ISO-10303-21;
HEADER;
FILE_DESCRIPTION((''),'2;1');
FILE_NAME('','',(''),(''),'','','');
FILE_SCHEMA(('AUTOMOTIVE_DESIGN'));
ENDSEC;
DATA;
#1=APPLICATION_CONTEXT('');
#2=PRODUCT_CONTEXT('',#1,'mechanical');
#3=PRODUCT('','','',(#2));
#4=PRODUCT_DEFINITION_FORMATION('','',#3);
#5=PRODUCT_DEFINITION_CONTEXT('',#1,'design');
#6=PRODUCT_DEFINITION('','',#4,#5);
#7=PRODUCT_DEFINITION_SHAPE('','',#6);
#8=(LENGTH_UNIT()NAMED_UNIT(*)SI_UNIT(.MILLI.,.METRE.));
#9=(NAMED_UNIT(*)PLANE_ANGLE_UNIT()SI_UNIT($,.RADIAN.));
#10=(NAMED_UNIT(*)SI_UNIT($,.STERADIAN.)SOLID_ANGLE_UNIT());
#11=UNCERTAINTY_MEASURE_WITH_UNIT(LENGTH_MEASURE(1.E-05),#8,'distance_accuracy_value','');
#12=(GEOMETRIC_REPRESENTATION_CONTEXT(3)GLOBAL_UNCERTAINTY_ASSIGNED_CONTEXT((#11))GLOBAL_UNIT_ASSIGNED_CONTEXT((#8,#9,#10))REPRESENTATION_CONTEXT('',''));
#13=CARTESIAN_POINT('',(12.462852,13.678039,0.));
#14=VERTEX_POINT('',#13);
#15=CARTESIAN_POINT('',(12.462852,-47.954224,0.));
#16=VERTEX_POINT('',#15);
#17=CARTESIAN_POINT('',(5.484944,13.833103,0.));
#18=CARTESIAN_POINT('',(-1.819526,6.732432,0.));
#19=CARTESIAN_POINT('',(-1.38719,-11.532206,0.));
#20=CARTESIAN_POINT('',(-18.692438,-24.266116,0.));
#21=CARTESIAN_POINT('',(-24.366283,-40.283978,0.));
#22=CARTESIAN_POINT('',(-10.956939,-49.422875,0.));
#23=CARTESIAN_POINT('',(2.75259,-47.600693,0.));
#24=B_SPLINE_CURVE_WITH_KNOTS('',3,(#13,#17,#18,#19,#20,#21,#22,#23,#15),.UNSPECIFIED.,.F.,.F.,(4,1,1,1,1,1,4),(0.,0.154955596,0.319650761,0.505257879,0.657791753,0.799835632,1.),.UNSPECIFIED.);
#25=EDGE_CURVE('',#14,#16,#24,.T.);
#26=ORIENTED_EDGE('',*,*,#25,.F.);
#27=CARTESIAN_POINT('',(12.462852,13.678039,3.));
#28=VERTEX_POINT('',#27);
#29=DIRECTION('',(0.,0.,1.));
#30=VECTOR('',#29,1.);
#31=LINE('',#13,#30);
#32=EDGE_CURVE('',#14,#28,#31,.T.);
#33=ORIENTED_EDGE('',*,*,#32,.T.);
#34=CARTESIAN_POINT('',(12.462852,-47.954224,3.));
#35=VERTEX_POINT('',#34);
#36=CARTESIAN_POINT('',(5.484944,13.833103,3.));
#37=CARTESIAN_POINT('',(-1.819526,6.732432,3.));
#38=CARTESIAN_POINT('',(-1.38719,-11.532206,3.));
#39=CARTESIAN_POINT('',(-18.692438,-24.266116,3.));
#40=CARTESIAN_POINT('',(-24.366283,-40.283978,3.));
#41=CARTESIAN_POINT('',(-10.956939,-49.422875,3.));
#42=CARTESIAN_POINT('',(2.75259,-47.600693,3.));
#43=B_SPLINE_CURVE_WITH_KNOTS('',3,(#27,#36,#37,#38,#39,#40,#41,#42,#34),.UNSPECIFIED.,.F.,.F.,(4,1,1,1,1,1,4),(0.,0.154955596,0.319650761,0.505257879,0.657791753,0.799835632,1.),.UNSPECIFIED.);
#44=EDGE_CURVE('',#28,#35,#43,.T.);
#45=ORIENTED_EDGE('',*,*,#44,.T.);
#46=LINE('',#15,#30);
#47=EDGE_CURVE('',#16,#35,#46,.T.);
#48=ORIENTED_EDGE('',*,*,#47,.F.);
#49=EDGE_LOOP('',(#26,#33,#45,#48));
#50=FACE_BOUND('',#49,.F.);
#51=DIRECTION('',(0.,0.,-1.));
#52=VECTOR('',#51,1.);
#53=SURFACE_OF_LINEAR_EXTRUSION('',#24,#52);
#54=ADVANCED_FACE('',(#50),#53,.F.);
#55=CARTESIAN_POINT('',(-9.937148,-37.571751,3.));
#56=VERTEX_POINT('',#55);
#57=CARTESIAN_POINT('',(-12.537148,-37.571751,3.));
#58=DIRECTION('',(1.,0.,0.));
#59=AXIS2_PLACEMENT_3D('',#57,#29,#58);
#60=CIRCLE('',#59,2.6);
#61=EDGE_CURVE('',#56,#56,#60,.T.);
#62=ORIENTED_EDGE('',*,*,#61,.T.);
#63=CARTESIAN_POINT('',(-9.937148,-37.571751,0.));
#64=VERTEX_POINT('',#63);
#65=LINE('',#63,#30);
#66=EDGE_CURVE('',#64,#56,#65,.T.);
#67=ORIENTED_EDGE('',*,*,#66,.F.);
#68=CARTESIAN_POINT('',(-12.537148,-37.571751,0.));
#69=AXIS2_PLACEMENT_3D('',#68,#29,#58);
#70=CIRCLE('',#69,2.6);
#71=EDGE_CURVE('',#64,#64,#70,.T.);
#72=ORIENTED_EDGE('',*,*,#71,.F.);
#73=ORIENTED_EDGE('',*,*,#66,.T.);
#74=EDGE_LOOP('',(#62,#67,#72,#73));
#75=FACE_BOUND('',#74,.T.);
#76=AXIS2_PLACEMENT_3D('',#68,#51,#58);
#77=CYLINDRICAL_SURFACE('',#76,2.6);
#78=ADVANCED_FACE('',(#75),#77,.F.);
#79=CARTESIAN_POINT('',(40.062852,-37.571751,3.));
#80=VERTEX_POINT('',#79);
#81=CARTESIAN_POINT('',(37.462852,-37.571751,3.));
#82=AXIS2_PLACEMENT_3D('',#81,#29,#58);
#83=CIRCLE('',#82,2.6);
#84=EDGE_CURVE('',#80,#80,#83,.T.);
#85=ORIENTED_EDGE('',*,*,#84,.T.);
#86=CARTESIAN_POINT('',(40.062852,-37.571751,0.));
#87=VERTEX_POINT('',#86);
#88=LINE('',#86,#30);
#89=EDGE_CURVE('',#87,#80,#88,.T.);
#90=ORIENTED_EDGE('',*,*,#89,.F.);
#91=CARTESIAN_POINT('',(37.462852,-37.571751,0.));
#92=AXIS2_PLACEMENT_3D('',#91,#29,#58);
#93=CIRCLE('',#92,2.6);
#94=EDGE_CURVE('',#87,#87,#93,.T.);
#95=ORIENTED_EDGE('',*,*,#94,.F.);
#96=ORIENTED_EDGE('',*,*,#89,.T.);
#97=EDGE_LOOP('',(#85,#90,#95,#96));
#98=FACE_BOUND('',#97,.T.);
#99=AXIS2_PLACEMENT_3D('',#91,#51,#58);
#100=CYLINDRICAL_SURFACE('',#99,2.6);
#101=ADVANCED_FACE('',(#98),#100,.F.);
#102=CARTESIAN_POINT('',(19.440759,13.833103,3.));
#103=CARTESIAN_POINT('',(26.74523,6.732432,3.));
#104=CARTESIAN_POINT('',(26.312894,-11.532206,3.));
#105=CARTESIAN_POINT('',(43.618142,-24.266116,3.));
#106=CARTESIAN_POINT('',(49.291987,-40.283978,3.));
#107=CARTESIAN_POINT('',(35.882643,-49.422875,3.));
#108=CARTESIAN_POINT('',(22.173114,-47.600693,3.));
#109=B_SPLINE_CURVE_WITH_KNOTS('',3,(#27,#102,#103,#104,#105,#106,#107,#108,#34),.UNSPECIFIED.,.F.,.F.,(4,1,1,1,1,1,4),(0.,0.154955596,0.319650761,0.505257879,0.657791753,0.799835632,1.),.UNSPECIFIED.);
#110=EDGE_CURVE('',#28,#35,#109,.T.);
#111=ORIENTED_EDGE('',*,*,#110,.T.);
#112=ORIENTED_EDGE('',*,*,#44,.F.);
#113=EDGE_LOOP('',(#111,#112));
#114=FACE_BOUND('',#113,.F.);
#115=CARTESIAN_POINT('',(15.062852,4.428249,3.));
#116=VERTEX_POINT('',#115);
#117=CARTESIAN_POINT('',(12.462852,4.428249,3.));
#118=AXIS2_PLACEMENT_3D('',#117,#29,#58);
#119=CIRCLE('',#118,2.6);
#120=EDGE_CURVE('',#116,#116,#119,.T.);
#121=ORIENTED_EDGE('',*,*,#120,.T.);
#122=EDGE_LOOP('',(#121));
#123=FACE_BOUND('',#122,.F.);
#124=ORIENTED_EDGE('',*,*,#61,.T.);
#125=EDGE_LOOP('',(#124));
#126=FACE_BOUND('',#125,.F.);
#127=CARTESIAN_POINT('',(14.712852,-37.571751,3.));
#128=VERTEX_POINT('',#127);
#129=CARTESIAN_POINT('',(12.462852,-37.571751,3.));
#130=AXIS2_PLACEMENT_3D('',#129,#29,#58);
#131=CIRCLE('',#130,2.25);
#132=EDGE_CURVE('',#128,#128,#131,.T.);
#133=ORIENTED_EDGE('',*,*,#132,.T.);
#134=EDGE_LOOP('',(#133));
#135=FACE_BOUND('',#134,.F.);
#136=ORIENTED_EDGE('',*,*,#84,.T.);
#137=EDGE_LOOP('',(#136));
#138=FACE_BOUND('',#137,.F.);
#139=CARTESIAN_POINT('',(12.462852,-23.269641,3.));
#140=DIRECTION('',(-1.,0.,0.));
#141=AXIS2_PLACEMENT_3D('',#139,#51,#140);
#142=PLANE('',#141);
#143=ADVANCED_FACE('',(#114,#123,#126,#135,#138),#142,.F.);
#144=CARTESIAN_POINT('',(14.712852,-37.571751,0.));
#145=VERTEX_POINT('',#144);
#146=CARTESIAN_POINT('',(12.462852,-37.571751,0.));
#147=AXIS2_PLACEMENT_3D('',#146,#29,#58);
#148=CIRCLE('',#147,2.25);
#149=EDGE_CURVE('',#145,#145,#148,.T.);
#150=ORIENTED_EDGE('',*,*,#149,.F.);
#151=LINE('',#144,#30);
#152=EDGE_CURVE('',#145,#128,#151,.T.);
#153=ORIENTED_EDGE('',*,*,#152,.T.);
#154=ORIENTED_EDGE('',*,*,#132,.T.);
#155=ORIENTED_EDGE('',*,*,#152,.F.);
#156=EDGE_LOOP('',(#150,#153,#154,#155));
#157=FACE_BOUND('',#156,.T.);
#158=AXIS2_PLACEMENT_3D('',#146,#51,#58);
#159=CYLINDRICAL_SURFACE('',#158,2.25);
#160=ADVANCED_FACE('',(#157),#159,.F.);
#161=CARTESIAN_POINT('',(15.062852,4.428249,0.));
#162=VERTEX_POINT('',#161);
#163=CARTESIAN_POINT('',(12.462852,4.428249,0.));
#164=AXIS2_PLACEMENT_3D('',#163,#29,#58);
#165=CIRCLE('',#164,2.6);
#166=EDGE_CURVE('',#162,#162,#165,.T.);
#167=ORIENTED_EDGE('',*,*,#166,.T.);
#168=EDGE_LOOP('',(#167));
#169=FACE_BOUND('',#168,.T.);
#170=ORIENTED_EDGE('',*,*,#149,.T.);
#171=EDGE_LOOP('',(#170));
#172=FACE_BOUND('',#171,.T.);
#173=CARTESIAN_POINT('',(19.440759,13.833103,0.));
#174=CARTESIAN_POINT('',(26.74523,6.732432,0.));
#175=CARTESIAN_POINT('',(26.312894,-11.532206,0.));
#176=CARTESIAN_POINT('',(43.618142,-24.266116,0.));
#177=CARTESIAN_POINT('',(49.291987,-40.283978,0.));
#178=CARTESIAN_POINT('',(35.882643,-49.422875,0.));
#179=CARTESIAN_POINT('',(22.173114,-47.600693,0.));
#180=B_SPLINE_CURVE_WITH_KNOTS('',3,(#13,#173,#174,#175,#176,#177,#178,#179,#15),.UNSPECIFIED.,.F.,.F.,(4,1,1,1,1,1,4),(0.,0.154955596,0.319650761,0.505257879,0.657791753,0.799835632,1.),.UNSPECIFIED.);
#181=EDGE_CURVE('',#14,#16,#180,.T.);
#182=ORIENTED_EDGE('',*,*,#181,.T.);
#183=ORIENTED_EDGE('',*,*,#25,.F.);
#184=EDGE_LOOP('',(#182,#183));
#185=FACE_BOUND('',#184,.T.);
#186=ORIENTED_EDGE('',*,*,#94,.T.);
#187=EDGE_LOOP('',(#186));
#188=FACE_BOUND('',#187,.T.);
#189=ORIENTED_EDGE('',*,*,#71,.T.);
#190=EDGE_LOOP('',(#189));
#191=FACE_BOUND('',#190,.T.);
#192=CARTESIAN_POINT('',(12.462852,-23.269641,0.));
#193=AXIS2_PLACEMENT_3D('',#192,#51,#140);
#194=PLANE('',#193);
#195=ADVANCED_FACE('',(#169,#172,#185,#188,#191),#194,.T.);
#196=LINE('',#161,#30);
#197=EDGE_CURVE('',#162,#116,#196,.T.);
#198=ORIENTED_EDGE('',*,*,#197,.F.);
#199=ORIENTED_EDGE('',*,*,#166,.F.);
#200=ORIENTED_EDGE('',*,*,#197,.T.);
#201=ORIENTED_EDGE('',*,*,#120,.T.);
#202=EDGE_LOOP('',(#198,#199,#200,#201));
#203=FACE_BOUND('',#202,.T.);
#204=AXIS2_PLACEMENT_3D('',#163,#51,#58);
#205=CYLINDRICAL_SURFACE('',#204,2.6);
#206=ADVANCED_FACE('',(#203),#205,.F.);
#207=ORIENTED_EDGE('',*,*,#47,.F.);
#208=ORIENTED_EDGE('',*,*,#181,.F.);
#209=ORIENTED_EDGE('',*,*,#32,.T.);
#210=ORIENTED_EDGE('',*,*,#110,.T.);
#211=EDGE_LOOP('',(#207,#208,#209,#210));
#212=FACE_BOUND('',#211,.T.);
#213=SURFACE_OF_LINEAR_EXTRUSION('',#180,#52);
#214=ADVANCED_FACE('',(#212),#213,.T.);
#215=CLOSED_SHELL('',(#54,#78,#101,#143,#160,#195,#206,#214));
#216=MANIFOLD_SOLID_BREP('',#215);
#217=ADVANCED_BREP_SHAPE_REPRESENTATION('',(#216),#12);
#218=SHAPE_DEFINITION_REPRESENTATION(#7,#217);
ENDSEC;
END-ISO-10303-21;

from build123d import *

# Parameters (mm, degrees)
F0_R     = 2.6
F0_R_2   = 2.25
F1_DEPTH = 3


with BuildPart() as f1:
    # F0 (on Top) → F1 (new body)
    with BuildSketch(Plane.XY):
        with BuildLine():
            add(Edge.make_bspline(
                [(12.4628519006, 13.6780394241), (19.4407593717, 13.8331027583), (26.7452298575, 6.7324317401), (26.3128940789, -11.5322055726), (43.6181419579, -24.266116276), (49.2919868937, -40.2839782528), (35.8826429609, -49.4228751578), (22.1731135653, -47.6006929448), (12.4628519006, -47.95422405)],
                knots=[0, 0, 0, 0, 0.1549555961, 0.3196507615, 0.5052578789, 0.6577917534, 0.7998356316, 1, 1, 1, 1], degree=3))
            add(Edge.make_bspline(
                [(12.4628519006, 13.6780394241), (5.4849444295, 13.8331027583), (-1.8195260563, 6.7324317401), (-1.3871902777, -11.5322055726), (-18.6924381567, -24.266116276), (-24.3662830925, -40.2839782528), (-10.9569391597, -49.4228751578), (2.7525902359, -47.6006929448), (12.4628519006, -47.95422405)],
                knots=[0, 0, 0, 0, 0.1549555961, 0.3196507615, 0.5052578789, 0.6577917534, 0.7998356316, 1, 1, 1, 1], degree=3))
        make_face()
        with Locations((-12.5371480994, -37.5717511536)):
            Circle(F0_R, mode=Mode.SUBTRACT)
        with Locations((12.4628519006, -37.5717511536)):
            Circle(F0_R_2, mode=Mode.SUBTRACT)
        with Locations((37.4628519006, -37.5717511536)):
            Circle(F0_R, mode=Mode.SUBTRACT)
        with Locations((12.4628519006, 4.4282488464)):
            Circle(F0_R, mode=Mode.SUBTRACT)
    extrude(amount=F1_DEPTH)


solid = f1.part
